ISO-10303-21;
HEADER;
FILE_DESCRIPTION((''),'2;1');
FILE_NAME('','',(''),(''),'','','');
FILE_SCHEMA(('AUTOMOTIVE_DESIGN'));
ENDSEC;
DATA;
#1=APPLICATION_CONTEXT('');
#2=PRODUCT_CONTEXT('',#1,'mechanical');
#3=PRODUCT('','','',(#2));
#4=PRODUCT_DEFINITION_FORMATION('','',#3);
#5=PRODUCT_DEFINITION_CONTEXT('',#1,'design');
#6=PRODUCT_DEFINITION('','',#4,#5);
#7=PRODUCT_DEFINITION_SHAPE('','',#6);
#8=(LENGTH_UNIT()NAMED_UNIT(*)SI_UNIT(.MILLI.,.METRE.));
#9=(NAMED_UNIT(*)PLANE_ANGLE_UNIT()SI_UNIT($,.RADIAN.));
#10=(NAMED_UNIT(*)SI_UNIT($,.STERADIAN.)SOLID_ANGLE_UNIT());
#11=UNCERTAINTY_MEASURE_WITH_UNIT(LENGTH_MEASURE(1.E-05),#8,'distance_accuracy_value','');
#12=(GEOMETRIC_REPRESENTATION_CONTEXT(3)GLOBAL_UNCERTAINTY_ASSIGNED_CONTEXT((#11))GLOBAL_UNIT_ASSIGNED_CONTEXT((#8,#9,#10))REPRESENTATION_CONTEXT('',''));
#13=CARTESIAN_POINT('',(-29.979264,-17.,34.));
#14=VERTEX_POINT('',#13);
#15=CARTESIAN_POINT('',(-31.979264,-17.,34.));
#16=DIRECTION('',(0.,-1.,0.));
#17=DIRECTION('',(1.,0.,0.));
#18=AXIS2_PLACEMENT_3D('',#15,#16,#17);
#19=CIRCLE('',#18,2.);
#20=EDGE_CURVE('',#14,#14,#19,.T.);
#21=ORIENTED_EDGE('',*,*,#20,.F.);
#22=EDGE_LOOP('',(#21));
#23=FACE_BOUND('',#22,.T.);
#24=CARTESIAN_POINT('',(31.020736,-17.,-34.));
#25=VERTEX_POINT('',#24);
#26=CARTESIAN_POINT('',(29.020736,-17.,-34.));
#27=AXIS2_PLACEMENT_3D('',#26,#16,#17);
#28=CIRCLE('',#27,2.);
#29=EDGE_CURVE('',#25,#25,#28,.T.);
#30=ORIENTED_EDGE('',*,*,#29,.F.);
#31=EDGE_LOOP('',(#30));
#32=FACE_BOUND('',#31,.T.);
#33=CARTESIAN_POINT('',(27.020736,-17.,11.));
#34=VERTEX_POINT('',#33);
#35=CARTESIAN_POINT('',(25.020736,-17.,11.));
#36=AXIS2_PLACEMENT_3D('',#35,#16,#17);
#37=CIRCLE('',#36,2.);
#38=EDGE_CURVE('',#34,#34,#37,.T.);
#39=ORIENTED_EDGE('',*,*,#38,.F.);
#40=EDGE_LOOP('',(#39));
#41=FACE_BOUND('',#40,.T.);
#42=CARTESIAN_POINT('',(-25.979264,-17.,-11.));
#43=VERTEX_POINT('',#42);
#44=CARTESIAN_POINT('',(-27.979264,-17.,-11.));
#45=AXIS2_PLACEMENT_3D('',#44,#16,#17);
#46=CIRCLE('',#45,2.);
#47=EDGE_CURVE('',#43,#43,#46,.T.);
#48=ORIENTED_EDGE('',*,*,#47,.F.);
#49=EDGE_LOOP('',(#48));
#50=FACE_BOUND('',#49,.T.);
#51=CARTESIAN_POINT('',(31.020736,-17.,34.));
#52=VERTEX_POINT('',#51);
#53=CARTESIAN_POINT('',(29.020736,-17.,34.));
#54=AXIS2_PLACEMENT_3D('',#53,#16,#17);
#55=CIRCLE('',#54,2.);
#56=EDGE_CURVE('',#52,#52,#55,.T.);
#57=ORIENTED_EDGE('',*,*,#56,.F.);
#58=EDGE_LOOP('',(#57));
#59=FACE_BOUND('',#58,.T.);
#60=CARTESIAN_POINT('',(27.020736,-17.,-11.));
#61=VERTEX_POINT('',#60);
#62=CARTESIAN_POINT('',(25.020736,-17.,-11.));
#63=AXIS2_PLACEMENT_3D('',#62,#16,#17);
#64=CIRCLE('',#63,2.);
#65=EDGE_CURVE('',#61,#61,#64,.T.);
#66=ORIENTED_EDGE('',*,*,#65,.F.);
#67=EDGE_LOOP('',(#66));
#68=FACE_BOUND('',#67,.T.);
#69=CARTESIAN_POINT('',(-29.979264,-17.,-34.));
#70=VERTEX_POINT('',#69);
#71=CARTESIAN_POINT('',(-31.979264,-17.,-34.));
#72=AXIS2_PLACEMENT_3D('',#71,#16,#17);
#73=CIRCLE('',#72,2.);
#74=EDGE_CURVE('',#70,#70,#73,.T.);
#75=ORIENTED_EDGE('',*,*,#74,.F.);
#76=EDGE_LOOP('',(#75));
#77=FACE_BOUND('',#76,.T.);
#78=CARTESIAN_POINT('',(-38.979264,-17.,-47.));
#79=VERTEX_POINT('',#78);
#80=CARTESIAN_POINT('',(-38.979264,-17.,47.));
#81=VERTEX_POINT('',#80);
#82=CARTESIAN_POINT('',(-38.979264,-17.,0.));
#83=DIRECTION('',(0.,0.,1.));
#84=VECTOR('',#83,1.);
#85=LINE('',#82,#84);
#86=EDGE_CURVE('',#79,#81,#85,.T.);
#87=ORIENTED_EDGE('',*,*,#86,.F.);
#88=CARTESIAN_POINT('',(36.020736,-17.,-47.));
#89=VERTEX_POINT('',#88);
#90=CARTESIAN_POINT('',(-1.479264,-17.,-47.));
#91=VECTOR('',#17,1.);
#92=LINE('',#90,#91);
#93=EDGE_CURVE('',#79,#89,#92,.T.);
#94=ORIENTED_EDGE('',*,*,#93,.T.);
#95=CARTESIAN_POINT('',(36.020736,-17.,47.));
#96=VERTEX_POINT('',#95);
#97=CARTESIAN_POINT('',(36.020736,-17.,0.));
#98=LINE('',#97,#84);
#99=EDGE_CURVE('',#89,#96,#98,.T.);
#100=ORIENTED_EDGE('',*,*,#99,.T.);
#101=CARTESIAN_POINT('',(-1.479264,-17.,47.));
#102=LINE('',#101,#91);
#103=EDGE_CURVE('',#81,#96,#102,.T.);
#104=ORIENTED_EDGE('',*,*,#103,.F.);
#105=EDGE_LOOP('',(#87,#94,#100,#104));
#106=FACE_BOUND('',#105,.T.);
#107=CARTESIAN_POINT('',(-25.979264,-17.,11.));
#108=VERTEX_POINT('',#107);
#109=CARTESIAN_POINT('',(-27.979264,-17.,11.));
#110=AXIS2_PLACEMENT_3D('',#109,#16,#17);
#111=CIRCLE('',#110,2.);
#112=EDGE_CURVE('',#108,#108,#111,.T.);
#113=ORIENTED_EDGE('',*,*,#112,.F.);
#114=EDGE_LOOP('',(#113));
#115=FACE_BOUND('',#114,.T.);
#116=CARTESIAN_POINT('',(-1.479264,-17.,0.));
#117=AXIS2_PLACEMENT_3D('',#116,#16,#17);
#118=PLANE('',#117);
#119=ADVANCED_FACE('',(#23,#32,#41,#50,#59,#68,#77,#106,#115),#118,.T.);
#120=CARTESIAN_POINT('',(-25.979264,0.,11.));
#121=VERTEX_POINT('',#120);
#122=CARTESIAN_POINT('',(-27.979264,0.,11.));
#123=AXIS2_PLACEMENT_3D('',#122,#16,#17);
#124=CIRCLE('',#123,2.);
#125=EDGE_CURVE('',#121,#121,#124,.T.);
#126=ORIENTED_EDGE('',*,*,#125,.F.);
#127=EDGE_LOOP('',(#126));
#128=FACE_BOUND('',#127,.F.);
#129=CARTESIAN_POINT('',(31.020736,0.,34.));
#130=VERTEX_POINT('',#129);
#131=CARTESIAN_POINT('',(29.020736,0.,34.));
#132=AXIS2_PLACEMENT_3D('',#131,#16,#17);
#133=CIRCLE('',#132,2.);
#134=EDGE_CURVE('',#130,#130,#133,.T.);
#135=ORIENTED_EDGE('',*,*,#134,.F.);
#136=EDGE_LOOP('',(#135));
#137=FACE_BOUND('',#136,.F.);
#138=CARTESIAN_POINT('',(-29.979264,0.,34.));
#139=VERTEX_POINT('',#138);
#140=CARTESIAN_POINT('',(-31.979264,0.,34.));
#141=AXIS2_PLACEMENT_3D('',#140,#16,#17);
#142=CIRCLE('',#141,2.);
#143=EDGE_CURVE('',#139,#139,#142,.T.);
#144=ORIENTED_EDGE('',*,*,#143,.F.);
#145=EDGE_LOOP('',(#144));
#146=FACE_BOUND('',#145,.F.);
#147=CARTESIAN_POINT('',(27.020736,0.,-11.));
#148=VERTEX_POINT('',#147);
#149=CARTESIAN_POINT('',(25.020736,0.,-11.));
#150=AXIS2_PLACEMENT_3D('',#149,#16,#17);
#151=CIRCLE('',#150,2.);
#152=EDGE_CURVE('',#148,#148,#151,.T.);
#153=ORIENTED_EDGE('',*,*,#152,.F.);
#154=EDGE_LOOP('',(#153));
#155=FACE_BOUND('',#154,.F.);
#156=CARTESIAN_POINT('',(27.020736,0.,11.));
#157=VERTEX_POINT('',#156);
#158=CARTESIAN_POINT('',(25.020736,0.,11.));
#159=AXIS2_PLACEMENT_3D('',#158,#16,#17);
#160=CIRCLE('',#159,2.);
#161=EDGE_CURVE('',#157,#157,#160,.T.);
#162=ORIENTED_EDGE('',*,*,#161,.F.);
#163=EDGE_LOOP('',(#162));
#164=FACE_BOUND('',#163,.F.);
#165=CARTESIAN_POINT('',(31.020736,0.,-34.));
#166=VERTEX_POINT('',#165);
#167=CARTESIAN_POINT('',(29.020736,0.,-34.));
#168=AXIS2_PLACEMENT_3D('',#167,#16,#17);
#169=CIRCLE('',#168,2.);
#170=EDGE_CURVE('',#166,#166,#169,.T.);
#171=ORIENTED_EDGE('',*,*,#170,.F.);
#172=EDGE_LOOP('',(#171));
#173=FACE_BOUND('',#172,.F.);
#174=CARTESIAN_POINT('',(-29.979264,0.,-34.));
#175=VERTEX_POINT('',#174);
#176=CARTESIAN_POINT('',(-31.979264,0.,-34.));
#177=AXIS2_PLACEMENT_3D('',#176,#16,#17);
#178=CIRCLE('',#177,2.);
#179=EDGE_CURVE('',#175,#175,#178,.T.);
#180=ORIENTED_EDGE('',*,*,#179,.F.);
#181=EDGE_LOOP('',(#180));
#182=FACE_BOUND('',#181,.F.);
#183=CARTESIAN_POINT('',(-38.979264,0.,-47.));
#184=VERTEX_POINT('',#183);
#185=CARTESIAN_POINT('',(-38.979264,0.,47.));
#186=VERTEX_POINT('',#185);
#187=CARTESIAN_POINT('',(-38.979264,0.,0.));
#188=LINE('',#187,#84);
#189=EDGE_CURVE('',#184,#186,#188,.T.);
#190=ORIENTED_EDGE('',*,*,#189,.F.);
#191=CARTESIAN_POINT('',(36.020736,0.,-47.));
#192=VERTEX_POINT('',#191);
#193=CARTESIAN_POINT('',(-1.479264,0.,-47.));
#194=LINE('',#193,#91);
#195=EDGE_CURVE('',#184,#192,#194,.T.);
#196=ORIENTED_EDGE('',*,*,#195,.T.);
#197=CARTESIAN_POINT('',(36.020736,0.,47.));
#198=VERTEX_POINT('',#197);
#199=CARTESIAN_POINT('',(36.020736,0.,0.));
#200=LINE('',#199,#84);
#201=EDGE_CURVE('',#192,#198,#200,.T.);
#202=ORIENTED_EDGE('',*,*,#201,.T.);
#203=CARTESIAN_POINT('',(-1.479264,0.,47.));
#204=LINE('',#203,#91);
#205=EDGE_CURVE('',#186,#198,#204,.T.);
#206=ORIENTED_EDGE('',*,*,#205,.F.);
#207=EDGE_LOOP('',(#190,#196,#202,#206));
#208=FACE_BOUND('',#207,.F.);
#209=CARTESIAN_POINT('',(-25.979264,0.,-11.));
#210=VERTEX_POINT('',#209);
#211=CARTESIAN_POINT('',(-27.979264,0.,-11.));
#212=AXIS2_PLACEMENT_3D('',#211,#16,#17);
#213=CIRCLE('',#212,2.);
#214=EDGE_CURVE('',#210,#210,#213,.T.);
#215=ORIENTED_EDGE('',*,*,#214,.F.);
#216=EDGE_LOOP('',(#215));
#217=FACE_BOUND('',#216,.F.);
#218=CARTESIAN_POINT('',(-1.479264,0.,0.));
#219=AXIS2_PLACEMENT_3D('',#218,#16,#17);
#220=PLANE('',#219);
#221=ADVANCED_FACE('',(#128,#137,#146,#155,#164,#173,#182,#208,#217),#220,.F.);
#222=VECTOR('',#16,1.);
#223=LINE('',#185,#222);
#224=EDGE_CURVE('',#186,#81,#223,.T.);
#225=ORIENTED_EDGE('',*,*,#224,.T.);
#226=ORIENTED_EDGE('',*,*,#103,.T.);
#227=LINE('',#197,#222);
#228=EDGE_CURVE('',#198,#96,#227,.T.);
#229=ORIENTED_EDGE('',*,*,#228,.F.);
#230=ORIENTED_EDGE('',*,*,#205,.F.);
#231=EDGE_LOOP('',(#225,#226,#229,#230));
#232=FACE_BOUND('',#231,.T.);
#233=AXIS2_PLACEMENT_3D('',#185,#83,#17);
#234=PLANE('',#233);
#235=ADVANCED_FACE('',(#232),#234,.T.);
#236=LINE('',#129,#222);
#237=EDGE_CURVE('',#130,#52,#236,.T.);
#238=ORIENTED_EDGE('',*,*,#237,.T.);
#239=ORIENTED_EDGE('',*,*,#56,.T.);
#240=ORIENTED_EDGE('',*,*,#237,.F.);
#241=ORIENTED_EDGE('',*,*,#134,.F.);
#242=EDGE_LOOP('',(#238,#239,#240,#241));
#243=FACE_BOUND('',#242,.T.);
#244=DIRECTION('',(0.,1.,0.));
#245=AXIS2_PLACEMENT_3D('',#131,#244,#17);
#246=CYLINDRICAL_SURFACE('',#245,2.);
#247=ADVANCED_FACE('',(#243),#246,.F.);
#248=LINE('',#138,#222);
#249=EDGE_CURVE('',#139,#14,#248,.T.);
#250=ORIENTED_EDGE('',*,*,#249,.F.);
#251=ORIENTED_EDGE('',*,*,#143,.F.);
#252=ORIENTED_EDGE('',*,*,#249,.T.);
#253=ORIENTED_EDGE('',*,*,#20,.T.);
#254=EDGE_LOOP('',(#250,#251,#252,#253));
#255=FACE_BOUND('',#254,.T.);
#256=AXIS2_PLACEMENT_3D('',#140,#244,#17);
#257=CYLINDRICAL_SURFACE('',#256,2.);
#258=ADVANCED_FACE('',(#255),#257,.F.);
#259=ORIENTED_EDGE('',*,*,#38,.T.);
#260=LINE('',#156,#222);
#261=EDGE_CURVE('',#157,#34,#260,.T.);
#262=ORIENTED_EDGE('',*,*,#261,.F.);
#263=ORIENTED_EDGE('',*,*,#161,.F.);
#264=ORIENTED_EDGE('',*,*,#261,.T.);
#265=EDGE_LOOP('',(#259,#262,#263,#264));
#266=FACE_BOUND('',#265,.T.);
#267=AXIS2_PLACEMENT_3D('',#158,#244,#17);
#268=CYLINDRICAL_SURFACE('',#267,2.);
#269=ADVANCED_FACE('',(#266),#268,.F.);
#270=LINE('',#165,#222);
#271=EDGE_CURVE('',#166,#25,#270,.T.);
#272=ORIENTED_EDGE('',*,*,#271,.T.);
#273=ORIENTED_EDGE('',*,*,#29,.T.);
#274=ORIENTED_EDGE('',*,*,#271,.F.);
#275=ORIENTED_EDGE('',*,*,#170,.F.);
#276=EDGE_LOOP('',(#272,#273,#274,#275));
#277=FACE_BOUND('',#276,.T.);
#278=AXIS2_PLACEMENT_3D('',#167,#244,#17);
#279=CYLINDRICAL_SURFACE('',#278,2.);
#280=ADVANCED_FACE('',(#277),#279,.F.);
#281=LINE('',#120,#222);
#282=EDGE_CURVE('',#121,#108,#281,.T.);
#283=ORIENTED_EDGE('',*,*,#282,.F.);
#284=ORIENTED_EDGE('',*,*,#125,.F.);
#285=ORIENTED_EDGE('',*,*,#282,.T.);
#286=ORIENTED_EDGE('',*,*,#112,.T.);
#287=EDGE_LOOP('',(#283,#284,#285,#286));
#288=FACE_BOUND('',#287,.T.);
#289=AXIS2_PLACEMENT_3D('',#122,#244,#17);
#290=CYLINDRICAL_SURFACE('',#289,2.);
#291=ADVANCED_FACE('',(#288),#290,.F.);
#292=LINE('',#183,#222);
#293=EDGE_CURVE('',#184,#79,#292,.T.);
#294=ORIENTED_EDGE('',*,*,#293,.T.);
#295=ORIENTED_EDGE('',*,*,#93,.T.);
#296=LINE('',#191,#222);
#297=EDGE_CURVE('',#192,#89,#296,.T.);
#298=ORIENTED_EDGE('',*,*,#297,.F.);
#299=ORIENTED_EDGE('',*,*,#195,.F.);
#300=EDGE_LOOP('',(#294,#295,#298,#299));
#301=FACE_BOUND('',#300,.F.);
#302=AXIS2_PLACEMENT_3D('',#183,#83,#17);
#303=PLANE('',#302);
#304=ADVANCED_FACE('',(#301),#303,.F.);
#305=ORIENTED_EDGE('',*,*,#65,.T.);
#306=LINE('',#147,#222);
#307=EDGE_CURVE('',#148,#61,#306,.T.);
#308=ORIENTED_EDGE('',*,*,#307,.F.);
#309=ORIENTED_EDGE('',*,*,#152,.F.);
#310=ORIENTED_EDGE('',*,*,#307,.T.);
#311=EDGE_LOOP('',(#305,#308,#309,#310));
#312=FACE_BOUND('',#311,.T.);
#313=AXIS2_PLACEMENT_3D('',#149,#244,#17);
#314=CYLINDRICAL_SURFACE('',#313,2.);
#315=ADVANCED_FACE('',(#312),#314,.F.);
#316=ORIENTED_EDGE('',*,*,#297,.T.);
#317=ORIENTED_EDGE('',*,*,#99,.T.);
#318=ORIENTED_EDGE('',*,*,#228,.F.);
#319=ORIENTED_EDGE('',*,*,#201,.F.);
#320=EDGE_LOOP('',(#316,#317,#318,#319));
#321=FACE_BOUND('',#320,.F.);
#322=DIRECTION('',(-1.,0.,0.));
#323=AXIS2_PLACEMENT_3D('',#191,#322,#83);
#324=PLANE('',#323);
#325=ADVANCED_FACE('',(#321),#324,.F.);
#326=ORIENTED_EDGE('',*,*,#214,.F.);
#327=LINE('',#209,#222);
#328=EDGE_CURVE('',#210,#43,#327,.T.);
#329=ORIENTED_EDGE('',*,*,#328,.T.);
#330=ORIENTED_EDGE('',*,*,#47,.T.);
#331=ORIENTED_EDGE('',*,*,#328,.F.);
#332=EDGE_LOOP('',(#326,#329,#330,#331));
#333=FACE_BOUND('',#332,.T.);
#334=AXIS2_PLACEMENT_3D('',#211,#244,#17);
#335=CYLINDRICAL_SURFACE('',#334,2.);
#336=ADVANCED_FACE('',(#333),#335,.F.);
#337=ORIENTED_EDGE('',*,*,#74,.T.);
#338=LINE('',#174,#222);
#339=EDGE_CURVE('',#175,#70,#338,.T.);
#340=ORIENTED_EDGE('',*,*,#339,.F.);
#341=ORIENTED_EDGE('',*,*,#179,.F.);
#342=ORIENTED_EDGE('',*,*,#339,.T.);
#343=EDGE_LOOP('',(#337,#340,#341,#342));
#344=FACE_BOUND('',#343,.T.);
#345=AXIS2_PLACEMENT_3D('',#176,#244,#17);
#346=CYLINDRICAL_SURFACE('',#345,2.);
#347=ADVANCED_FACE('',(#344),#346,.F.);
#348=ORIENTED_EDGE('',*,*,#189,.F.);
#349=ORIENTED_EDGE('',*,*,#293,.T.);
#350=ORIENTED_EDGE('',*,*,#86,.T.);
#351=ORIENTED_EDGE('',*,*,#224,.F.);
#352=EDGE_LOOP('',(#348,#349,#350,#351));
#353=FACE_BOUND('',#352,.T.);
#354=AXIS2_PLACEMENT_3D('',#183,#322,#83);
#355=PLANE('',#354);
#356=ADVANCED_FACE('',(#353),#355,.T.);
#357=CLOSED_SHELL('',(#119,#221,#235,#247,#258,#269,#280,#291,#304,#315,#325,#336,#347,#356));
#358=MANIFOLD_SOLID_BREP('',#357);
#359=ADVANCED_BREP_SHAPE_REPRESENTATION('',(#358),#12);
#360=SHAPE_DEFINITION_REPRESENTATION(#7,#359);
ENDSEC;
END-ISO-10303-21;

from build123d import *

# Parameters (mm, degrees)
F0_W     = 75
F0_H     = 94
F0_R     = 2
F1_DEPTH = 17


with BuildPart() as f1:
    # F0 (on Front) → F1 (new body)
    with BuildSketch(Plane.XZ):
        with Locations((-1.479264, 0)):
            Rectangle(F0_W, F0_H)
        with Locations((-31.979264, -34)):
            Circle(F0_R, mode=Mode.SUBTRACT)
        with Locations((-27.979264, -11)):
            Circle(F0_R, mode=Mode.SUBTRACT)
        with Locations((29.020736, -34)):
            Circle(F0_R, mode=Mode.SUBTRACT)
        with Locations((25.020736, -11)):
            Circle(F0_R, mode=Mode.SUBTRACT)
        with Locations((-27.979264, 11)):
            Circle(F0_R, mode=Mode.SUBTRACT)
        with Locations((-31.979264, 34)):
            Circle(F0_R, mode=Mode.SUBTRACT)
        with Locations((25.020736, 11)):
            Circle(F0_R, mode=Mode.SUBTRACT)
        with Locations((29.020736, 34)):
            Circle(F0_R, mode=Mode.SUBTRACT)
    extrude(amount=F1_DEPTH)


solid = f1.part
